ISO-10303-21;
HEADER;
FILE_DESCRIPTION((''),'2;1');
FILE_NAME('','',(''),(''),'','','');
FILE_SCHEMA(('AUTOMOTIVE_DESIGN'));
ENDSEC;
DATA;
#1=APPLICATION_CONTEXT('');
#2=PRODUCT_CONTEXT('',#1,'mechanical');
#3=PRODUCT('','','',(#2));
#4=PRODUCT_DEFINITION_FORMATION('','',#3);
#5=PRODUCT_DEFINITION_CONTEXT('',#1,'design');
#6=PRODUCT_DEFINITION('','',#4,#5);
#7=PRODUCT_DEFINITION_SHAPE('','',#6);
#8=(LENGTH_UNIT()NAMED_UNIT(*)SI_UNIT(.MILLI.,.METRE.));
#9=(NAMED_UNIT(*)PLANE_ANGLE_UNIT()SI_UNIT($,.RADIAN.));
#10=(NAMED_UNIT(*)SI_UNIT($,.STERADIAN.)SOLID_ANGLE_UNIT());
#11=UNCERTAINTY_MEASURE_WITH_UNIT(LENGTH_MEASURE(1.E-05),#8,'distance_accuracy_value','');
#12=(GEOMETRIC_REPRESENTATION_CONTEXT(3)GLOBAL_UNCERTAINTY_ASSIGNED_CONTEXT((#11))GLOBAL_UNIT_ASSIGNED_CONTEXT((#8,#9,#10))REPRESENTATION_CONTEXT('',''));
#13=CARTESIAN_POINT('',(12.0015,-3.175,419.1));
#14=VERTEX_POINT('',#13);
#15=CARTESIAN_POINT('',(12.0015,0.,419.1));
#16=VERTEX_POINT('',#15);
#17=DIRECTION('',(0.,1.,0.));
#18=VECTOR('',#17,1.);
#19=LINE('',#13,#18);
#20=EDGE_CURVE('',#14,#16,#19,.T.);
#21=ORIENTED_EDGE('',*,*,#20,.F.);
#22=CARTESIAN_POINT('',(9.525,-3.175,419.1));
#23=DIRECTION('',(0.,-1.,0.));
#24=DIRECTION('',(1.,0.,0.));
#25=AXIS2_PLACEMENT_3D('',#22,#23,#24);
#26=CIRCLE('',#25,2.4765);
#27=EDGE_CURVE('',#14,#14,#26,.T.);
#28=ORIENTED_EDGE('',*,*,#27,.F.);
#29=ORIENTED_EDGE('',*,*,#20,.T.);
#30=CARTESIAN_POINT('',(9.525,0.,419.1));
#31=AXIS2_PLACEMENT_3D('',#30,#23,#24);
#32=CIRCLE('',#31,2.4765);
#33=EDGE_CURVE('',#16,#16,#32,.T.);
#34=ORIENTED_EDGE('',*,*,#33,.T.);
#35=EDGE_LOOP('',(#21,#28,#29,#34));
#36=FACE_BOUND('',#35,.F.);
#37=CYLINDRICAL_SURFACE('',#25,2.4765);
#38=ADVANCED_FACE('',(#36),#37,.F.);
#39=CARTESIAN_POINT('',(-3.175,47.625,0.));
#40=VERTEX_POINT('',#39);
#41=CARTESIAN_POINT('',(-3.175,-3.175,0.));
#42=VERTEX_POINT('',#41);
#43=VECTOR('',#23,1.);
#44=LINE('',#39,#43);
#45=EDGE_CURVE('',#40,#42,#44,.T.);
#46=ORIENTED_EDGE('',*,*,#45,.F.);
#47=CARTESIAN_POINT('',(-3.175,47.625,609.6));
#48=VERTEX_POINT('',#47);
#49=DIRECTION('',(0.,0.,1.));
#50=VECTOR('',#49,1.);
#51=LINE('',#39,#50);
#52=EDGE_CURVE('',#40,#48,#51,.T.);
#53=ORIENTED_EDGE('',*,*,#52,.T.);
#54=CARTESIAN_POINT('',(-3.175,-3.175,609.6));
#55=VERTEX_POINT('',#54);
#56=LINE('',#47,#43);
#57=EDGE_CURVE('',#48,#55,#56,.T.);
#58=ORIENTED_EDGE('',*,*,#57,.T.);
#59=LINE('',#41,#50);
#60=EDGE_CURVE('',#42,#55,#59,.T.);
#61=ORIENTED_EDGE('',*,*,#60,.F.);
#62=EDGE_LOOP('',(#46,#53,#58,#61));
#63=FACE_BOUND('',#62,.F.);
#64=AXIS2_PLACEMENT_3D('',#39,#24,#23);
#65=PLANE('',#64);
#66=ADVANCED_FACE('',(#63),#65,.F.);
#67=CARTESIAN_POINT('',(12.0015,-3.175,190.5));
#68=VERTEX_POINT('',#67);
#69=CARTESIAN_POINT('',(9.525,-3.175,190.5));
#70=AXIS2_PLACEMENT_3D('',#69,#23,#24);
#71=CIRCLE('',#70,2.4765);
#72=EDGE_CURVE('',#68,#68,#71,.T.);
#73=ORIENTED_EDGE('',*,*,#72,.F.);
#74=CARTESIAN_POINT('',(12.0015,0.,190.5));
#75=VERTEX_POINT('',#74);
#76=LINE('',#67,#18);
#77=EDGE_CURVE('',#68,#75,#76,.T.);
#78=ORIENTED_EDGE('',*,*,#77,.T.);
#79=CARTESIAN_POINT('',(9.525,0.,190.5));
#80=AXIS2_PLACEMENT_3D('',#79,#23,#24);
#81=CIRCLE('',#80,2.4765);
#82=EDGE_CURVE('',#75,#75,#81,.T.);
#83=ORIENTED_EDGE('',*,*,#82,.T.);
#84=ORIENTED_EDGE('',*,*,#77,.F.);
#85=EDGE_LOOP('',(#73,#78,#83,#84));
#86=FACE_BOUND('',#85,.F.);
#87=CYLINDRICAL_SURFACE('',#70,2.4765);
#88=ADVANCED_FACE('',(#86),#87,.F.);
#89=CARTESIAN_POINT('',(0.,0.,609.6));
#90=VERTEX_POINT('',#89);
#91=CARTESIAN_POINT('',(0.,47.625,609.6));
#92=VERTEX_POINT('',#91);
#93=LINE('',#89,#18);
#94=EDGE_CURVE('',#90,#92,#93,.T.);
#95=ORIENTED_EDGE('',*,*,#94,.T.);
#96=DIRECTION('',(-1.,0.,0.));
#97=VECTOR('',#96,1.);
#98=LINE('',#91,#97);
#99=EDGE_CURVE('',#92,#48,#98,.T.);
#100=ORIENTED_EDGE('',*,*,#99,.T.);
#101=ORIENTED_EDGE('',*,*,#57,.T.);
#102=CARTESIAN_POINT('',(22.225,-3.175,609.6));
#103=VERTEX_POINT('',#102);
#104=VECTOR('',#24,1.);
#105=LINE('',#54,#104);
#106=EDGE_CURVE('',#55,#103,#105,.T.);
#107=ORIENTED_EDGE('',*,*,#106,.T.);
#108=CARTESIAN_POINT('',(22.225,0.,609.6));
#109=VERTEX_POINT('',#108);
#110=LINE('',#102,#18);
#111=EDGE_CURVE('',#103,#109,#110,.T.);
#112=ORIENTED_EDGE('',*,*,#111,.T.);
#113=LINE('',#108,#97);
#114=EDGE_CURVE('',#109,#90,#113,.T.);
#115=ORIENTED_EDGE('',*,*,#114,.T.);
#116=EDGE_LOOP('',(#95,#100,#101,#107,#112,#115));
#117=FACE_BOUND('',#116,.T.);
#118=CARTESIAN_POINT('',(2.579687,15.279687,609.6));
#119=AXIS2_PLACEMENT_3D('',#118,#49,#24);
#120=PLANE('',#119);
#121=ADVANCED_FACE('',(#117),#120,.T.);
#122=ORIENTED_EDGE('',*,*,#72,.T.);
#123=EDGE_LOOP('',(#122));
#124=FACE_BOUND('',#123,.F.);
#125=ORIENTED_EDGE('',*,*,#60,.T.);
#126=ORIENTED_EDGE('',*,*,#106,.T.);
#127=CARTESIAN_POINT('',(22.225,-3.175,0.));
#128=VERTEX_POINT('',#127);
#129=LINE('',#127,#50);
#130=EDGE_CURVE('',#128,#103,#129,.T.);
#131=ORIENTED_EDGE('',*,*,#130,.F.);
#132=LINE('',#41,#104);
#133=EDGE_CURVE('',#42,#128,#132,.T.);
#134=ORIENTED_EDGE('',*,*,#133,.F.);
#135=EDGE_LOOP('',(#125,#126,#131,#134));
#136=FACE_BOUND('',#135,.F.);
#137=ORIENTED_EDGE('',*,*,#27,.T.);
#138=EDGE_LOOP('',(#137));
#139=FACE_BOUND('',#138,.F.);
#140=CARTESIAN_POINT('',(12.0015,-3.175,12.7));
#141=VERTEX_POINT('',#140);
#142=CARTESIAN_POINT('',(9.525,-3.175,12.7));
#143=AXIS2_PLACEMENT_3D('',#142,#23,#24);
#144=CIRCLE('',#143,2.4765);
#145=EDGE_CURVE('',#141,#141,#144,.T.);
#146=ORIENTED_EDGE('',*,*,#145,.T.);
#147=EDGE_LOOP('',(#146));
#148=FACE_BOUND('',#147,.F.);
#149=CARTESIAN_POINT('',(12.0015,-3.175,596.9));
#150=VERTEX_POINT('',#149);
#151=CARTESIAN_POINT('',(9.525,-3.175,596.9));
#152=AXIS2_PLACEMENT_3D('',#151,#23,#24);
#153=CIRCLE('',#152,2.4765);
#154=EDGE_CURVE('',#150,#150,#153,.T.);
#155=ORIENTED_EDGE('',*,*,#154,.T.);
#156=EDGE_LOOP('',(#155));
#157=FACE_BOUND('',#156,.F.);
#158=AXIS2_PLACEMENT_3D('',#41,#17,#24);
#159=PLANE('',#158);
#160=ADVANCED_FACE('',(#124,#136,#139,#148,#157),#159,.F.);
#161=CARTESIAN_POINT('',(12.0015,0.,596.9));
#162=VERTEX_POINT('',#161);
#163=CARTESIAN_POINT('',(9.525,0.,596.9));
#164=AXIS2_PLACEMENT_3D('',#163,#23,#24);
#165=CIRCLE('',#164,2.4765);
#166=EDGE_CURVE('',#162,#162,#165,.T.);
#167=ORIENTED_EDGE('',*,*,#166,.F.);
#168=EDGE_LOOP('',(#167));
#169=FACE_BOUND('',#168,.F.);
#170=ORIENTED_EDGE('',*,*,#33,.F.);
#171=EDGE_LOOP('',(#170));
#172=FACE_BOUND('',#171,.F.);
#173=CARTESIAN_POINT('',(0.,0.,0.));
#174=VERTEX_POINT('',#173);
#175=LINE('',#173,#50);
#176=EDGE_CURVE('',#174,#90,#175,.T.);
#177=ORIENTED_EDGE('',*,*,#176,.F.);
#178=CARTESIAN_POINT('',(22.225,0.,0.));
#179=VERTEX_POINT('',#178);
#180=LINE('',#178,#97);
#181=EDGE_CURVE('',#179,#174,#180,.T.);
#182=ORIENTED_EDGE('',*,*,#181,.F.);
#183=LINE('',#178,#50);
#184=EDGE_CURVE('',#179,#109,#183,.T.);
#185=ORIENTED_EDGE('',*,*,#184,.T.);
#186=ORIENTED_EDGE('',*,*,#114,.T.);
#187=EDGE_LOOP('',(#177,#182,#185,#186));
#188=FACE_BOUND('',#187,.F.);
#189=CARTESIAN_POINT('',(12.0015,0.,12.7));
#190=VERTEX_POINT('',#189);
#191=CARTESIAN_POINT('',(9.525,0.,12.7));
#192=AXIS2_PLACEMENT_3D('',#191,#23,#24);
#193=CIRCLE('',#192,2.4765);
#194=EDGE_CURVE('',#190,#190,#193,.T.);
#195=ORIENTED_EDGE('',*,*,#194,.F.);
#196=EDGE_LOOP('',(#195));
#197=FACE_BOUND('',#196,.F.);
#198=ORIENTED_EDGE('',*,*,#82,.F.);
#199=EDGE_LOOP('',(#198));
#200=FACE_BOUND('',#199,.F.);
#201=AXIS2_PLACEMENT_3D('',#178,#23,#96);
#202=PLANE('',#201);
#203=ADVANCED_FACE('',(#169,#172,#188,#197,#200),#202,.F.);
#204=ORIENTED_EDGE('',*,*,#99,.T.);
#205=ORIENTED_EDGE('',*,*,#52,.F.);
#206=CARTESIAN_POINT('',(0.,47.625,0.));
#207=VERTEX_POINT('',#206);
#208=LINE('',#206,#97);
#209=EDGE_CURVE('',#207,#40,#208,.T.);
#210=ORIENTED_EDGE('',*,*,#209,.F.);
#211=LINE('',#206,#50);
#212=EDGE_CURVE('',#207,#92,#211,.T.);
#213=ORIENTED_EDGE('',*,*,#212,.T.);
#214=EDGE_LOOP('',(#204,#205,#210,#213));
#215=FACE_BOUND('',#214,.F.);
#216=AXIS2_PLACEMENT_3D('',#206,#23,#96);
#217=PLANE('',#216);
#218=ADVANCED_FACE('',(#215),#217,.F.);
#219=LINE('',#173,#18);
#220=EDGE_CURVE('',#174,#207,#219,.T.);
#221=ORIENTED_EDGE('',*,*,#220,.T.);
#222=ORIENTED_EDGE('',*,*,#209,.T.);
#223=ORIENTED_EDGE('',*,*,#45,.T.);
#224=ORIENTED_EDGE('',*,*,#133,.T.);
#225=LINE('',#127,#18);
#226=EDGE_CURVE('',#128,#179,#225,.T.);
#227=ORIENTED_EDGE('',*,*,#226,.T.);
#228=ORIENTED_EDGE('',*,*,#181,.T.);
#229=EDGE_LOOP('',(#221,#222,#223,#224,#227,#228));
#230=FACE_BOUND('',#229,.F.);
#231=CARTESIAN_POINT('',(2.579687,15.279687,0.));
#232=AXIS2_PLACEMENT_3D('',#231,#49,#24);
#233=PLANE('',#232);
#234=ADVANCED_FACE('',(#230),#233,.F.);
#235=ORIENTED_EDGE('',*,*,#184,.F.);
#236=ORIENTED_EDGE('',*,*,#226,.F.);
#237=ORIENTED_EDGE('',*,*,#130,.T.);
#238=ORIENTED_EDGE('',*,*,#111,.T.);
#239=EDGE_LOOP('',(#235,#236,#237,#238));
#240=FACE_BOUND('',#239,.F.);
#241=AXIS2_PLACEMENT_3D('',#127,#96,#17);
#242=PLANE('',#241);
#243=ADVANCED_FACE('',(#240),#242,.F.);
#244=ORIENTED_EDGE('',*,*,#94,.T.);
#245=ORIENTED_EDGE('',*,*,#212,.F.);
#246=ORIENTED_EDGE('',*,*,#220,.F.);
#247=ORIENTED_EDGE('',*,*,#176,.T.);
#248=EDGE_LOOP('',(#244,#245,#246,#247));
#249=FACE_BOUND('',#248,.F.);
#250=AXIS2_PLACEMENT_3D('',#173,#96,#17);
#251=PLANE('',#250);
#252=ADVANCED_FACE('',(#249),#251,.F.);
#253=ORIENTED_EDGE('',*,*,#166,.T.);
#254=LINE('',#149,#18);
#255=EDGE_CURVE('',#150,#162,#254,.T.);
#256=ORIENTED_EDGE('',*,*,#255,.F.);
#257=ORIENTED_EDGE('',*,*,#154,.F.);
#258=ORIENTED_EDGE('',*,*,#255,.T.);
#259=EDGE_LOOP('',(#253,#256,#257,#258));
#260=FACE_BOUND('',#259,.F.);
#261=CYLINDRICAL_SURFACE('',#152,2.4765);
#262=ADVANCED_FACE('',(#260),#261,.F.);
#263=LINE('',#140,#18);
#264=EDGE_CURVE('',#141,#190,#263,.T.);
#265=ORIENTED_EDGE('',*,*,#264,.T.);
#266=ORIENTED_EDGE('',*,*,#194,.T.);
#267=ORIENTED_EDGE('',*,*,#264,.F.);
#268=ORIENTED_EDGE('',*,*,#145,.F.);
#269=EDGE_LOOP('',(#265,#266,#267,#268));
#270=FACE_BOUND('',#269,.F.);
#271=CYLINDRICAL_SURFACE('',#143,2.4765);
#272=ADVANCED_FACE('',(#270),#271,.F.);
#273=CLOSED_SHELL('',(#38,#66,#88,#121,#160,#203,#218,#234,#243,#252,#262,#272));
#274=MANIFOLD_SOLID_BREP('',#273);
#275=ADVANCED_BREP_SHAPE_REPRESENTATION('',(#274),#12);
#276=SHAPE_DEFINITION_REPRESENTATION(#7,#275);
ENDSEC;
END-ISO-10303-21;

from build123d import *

# Parameters (mm, degrees)
F1_DEPTH = 609.6
F2_R     = 2.4765
F3_DEPTH = 50.801


with BuildPart() as f1:
    # F0 (on Top) → F1 (new body)
    with BuildSketch(Plane.XY):
        Polygon((0, 0), (0, 47.625), (-3.175, 47.625), (-3.175, -3.175), (22.225, -3.175), (22.225, 0), align=None)
    extrude(amount=F1_DEPTH)

    # F2 (on face) → F3 (cut, through all)
    with BuildSketch(Plane.XZ.offset(3.175)):
        with Locations((9.525, 12.7)):
            Circle(F2_R)
        with Locations((9.525, 190.5)):
            Circle(F2_R)
        with Locations((9.525, 419.1)):
            Circle(F2_R)
        with Locations((9.525, 596.9)):
            Circle(F2_R)
    extrude(amount=-F3_DEPTH, mode=Mode.SUBTRACT)


solid = f1.part
